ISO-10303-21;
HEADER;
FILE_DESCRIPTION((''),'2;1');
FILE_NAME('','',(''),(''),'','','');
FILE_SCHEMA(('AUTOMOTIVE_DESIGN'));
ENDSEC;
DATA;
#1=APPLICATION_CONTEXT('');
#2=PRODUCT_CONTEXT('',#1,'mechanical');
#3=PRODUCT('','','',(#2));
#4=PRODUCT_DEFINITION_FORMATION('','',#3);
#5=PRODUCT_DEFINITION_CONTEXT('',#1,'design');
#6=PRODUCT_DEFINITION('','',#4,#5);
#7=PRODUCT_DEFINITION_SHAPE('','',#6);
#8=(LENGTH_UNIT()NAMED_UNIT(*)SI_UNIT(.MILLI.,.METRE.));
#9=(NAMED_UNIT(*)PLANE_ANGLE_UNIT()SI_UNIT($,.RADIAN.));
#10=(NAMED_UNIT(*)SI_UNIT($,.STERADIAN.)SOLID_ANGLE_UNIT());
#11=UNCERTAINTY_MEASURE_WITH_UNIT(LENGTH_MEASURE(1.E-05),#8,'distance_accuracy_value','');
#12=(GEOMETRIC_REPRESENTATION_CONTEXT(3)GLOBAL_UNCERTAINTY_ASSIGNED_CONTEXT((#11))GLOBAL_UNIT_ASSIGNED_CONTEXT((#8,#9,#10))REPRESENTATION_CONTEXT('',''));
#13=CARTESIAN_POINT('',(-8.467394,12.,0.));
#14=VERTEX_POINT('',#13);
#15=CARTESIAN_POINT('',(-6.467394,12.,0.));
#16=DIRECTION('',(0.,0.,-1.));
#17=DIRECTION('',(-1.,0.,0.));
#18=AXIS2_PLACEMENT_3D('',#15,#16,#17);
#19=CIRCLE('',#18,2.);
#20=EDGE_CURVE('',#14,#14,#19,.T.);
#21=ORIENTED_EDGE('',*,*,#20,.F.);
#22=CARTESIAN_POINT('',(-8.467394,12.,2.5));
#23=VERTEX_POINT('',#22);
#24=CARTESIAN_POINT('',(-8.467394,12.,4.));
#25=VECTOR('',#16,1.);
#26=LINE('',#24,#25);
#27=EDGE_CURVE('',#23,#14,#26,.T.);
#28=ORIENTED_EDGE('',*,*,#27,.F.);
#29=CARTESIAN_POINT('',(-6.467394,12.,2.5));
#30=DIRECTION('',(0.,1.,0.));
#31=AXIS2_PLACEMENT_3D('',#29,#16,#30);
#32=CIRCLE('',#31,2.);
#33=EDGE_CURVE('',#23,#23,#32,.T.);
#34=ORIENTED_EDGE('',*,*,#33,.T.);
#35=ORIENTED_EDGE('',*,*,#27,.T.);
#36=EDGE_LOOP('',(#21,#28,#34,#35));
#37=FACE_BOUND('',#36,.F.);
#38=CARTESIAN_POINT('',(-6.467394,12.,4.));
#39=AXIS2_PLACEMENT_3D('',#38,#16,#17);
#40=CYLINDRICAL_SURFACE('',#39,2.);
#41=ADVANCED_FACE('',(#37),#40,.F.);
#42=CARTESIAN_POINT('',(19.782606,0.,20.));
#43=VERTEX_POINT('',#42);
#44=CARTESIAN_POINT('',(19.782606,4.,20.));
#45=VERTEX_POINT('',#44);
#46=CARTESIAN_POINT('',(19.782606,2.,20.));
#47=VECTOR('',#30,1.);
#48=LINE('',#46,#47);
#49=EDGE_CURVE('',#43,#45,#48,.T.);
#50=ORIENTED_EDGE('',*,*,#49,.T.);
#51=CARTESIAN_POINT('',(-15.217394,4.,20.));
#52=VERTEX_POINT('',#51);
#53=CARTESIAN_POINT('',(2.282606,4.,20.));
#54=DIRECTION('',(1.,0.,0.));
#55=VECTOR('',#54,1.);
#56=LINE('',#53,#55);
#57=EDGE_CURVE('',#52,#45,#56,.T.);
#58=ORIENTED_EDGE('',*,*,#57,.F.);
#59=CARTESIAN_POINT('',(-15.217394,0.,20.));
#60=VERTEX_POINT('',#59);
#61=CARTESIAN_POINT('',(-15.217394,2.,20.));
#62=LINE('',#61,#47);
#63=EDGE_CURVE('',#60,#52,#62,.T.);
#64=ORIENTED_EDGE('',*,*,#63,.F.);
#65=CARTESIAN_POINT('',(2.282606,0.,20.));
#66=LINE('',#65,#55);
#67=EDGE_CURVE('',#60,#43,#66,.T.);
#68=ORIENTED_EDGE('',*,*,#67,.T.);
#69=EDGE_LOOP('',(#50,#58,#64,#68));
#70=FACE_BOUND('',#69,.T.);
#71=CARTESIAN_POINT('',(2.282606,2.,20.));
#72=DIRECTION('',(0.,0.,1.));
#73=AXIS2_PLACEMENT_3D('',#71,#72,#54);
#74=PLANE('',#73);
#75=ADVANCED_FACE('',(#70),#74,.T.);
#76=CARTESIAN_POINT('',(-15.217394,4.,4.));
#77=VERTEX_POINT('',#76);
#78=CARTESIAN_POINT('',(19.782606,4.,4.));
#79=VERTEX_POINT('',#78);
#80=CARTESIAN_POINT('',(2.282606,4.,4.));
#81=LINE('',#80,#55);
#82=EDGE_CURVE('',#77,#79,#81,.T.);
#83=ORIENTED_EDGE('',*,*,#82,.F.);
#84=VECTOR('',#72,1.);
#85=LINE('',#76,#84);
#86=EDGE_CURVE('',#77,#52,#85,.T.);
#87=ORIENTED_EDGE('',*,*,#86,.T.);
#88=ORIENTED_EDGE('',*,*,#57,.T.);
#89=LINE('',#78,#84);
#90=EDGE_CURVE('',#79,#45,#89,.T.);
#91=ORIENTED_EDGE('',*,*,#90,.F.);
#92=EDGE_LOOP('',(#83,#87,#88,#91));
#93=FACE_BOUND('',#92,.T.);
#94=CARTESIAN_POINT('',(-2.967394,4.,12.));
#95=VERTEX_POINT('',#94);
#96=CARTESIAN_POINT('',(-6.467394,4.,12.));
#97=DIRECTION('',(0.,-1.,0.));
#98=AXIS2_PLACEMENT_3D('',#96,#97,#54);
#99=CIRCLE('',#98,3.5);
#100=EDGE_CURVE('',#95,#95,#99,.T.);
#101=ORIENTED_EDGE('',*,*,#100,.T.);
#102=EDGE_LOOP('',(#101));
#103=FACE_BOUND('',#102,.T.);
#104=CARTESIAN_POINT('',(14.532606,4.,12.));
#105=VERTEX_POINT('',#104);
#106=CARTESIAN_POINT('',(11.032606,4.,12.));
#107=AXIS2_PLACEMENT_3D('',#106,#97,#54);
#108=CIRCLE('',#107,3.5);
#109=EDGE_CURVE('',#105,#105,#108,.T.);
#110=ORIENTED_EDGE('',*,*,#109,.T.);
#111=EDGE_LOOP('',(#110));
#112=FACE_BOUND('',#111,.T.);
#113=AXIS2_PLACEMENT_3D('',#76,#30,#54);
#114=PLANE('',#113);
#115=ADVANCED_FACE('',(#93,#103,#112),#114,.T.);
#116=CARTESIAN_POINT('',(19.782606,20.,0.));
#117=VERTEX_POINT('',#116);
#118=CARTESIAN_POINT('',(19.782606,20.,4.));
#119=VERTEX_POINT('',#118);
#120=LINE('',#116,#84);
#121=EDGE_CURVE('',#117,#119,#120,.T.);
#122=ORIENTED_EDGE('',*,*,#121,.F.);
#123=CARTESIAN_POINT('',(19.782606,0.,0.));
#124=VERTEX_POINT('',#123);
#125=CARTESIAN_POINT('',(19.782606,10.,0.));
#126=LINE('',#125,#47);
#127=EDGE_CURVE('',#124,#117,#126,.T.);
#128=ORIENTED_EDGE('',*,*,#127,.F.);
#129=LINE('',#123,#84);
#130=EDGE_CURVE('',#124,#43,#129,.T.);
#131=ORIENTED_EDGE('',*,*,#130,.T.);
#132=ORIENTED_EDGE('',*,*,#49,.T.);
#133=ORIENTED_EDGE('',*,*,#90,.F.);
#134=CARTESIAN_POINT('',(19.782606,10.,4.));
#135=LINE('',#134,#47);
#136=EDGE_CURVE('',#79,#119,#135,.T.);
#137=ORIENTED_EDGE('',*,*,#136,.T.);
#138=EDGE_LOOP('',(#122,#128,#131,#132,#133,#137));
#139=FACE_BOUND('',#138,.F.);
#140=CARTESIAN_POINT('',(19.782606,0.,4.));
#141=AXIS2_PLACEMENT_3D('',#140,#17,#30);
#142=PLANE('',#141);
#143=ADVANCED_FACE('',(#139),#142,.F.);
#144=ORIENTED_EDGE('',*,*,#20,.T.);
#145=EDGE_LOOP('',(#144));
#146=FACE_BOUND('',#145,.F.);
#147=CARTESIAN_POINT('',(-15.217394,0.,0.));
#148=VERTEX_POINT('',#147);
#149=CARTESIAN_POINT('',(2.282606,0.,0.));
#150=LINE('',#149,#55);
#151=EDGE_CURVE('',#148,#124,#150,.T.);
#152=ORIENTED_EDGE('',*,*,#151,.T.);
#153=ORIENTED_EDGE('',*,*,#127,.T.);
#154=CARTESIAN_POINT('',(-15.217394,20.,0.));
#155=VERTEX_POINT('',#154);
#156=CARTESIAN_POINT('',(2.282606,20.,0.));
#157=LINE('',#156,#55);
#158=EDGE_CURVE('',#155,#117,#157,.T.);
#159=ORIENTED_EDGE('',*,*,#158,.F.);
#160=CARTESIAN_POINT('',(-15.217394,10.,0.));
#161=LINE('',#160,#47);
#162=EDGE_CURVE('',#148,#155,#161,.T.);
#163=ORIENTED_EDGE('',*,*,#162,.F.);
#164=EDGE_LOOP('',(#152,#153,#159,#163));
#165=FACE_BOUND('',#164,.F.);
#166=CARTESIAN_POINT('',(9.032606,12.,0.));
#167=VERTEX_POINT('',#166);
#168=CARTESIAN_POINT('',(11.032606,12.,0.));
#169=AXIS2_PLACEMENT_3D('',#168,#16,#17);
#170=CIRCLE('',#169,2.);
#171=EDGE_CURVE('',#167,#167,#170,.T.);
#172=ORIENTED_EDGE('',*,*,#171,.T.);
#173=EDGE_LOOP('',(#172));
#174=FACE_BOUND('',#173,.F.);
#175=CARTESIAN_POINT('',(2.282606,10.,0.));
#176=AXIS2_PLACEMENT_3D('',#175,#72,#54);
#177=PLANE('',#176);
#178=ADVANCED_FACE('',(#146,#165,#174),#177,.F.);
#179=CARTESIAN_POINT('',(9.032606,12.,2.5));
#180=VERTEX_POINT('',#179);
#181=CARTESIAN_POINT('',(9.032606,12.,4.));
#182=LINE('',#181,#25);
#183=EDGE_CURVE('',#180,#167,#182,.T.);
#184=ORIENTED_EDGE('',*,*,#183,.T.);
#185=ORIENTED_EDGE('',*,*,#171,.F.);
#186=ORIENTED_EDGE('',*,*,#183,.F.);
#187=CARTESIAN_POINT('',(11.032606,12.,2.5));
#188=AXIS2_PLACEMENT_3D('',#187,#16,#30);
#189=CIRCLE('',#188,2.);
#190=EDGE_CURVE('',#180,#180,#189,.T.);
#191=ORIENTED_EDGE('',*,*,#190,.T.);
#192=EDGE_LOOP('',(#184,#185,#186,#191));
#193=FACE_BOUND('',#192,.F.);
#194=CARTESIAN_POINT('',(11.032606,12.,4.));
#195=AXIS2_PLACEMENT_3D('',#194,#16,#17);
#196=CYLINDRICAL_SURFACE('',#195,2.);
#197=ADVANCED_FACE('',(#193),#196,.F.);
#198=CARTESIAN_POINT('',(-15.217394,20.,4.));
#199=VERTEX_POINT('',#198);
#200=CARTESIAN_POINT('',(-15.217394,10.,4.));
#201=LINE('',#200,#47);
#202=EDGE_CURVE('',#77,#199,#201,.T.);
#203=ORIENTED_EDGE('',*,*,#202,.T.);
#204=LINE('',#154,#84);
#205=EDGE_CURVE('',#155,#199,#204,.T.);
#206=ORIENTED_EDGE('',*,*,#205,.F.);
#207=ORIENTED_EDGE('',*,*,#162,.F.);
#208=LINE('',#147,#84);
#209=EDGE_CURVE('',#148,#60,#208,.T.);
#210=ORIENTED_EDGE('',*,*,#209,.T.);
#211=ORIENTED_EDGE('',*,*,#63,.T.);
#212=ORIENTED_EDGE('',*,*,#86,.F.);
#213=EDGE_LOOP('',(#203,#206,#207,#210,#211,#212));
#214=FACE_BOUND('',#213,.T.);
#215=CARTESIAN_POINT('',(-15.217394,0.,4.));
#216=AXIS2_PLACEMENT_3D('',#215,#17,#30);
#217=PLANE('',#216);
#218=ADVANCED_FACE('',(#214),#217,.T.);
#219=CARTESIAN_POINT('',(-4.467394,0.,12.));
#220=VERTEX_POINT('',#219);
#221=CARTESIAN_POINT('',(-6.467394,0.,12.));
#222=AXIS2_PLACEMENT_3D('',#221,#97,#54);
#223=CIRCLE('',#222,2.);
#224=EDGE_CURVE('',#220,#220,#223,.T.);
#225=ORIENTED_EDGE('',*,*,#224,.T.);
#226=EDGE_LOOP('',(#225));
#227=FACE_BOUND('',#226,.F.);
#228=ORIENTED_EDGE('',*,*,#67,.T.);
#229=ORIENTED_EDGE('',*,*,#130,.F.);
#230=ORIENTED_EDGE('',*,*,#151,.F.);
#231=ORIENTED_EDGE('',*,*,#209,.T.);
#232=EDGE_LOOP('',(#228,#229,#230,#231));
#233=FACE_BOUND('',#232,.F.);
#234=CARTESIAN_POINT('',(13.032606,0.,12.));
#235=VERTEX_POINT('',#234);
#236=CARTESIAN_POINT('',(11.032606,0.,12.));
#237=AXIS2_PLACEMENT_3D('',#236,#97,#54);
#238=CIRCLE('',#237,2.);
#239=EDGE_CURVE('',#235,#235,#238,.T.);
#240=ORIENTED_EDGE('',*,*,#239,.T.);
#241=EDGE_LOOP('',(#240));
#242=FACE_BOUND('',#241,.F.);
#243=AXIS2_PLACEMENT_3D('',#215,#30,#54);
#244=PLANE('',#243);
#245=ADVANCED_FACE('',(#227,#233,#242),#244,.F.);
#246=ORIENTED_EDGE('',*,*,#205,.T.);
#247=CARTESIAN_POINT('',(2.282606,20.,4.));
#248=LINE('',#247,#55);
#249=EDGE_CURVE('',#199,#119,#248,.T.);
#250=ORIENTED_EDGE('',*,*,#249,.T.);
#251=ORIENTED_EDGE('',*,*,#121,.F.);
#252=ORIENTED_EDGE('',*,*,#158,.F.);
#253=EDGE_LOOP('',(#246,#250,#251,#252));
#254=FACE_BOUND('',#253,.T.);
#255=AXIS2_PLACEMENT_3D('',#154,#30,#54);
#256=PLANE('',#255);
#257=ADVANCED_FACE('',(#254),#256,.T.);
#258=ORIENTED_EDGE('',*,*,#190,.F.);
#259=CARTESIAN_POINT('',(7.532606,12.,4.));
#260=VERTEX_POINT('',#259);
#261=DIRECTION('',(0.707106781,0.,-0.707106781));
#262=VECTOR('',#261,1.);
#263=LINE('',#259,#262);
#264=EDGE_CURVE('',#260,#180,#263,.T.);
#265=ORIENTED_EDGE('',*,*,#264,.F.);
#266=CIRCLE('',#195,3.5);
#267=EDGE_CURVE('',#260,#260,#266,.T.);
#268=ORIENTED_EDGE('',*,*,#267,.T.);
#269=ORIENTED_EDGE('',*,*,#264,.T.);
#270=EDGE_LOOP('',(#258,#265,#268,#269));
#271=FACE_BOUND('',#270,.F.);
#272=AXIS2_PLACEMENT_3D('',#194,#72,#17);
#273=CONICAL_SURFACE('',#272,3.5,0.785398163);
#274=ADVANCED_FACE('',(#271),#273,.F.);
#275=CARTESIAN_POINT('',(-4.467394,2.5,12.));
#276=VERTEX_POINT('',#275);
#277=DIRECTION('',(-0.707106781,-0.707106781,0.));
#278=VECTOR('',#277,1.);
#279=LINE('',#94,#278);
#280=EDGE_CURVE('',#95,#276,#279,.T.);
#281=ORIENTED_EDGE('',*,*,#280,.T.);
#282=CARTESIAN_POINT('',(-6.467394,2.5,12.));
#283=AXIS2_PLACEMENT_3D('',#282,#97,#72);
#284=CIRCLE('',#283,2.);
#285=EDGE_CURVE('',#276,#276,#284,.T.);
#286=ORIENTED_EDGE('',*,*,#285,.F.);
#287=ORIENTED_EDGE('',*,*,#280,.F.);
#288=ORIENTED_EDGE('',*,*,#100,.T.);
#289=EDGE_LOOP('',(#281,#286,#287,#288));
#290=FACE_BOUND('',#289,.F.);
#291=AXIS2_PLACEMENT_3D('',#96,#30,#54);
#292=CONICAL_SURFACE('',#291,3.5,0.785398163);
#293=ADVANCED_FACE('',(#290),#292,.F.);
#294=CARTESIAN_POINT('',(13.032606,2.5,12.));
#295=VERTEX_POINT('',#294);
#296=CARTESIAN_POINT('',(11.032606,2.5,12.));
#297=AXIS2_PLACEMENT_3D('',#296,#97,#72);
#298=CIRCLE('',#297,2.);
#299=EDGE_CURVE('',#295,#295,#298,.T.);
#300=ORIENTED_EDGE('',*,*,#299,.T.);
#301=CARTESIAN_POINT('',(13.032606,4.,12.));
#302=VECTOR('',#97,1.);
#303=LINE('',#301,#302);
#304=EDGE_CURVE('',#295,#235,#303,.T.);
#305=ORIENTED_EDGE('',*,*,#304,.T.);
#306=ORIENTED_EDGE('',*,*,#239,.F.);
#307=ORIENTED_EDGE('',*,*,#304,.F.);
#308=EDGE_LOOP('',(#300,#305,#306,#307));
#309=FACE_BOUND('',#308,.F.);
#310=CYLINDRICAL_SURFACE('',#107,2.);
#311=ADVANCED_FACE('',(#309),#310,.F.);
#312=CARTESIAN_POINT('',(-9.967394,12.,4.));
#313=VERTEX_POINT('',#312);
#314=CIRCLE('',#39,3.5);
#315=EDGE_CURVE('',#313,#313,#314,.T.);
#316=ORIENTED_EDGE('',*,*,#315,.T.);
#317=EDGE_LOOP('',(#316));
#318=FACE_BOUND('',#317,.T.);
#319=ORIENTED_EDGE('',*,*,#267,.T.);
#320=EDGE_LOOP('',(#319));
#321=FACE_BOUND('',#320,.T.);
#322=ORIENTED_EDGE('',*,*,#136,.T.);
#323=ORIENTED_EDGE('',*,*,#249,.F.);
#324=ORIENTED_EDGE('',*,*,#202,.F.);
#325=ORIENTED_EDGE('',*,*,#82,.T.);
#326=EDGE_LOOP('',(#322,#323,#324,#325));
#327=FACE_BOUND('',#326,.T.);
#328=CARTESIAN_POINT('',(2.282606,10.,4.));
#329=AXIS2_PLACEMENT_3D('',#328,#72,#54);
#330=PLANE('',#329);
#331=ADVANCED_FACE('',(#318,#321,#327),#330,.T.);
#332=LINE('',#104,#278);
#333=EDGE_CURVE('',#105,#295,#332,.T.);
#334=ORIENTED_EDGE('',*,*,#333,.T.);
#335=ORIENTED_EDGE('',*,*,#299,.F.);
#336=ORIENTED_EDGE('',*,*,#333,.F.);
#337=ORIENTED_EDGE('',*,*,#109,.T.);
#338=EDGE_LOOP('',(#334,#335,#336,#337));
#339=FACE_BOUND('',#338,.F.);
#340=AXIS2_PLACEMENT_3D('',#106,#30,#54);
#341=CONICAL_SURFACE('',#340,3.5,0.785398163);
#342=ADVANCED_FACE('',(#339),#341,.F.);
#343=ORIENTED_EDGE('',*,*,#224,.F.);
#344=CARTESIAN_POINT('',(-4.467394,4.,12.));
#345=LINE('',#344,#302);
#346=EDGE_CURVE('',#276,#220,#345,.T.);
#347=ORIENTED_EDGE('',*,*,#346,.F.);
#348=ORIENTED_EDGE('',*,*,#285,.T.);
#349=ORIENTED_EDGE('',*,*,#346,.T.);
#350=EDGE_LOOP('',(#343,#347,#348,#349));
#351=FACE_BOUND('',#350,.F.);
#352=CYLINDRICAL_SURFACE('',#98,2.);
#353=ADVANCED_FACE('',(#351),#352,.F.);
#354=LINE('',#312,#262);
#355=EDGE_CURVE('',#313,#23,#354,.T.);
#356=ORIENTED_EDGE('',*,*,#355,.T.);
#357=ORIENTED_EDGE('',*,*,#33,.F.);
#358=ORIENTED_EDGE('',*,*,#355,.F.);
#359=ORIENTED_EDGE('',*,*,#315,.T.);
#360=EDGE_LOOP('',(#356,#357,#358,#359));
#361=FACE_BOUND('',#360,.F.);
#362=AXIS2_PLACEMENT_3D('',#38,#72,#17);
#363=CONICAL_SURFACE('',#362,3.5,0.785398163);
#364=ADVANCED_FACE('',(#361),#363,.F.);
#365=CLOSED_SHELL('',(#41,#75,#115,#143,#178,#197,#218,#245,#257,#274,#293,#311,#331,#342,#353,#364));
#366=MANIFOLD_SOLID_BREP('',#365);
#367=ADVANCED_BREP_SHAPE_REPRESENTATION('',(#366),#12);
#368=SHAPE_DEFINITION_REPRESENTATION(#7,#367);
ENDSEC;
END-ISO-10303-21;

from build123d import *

# Parameters (mm, degrees)
F0_W                 = 35
F0_H                 = 20
F1_DEPTH             = 4
F2_W                 = 35
F2_H                 = 4
F3_DEPTH             = 16
F6_D                 = 4
F6_CSINK_D           = 7
F6_CSINK_ANGLE       = 90
F6_ON_F4_D           = 4
F6_ON_F4_CSINK_D     = 7
F6_ON_F4_CSINK_ANGLE = 90


with BuildPart() as f1:
    # F0 (on Top) → F1 (new body)
    with BuildSketch(Plane.XY):
        with Locations((2.2826059621, 10)):
            Rectangle(F0_W, F0_H)
    extrude(amount=F1_DEPTH)

    # F2 (on face) → F3 (join)
    with BuildSketch(Plane.XY.offset(4)):
        with Locations((2.2826059621, 2)):
            Rectangle(F2_W, F2_H)
    extrude(amount=F3_DEPTH)

    # F6 (through all)
    with Locations(Plane.XY.offset(4)):
        with Locations((11.0326059621, 12), (-6.4673940379, 12)):
            CounterSinkHole(F6_D / 2, F6_CSINK_D / 2, counter_sink_angle=F6_CSINK_ANGLE)

    # F6 on F4 (through all)
    with Locations(Plane(origin=(0, 4, 0), x_dir=(-1, 0, 0), z_dir=(0, 1, 0))):
        with Locations((6.4673940379, 12), (-11.0326059621, 12)):
            CounterSinkHole(F6_ON_F4_D / 2, F6_ON_F4_CSINK_D / 2, counter_sink_angle=F6_ON_F4_CSINK_ANGLE)


solid = f1.part
